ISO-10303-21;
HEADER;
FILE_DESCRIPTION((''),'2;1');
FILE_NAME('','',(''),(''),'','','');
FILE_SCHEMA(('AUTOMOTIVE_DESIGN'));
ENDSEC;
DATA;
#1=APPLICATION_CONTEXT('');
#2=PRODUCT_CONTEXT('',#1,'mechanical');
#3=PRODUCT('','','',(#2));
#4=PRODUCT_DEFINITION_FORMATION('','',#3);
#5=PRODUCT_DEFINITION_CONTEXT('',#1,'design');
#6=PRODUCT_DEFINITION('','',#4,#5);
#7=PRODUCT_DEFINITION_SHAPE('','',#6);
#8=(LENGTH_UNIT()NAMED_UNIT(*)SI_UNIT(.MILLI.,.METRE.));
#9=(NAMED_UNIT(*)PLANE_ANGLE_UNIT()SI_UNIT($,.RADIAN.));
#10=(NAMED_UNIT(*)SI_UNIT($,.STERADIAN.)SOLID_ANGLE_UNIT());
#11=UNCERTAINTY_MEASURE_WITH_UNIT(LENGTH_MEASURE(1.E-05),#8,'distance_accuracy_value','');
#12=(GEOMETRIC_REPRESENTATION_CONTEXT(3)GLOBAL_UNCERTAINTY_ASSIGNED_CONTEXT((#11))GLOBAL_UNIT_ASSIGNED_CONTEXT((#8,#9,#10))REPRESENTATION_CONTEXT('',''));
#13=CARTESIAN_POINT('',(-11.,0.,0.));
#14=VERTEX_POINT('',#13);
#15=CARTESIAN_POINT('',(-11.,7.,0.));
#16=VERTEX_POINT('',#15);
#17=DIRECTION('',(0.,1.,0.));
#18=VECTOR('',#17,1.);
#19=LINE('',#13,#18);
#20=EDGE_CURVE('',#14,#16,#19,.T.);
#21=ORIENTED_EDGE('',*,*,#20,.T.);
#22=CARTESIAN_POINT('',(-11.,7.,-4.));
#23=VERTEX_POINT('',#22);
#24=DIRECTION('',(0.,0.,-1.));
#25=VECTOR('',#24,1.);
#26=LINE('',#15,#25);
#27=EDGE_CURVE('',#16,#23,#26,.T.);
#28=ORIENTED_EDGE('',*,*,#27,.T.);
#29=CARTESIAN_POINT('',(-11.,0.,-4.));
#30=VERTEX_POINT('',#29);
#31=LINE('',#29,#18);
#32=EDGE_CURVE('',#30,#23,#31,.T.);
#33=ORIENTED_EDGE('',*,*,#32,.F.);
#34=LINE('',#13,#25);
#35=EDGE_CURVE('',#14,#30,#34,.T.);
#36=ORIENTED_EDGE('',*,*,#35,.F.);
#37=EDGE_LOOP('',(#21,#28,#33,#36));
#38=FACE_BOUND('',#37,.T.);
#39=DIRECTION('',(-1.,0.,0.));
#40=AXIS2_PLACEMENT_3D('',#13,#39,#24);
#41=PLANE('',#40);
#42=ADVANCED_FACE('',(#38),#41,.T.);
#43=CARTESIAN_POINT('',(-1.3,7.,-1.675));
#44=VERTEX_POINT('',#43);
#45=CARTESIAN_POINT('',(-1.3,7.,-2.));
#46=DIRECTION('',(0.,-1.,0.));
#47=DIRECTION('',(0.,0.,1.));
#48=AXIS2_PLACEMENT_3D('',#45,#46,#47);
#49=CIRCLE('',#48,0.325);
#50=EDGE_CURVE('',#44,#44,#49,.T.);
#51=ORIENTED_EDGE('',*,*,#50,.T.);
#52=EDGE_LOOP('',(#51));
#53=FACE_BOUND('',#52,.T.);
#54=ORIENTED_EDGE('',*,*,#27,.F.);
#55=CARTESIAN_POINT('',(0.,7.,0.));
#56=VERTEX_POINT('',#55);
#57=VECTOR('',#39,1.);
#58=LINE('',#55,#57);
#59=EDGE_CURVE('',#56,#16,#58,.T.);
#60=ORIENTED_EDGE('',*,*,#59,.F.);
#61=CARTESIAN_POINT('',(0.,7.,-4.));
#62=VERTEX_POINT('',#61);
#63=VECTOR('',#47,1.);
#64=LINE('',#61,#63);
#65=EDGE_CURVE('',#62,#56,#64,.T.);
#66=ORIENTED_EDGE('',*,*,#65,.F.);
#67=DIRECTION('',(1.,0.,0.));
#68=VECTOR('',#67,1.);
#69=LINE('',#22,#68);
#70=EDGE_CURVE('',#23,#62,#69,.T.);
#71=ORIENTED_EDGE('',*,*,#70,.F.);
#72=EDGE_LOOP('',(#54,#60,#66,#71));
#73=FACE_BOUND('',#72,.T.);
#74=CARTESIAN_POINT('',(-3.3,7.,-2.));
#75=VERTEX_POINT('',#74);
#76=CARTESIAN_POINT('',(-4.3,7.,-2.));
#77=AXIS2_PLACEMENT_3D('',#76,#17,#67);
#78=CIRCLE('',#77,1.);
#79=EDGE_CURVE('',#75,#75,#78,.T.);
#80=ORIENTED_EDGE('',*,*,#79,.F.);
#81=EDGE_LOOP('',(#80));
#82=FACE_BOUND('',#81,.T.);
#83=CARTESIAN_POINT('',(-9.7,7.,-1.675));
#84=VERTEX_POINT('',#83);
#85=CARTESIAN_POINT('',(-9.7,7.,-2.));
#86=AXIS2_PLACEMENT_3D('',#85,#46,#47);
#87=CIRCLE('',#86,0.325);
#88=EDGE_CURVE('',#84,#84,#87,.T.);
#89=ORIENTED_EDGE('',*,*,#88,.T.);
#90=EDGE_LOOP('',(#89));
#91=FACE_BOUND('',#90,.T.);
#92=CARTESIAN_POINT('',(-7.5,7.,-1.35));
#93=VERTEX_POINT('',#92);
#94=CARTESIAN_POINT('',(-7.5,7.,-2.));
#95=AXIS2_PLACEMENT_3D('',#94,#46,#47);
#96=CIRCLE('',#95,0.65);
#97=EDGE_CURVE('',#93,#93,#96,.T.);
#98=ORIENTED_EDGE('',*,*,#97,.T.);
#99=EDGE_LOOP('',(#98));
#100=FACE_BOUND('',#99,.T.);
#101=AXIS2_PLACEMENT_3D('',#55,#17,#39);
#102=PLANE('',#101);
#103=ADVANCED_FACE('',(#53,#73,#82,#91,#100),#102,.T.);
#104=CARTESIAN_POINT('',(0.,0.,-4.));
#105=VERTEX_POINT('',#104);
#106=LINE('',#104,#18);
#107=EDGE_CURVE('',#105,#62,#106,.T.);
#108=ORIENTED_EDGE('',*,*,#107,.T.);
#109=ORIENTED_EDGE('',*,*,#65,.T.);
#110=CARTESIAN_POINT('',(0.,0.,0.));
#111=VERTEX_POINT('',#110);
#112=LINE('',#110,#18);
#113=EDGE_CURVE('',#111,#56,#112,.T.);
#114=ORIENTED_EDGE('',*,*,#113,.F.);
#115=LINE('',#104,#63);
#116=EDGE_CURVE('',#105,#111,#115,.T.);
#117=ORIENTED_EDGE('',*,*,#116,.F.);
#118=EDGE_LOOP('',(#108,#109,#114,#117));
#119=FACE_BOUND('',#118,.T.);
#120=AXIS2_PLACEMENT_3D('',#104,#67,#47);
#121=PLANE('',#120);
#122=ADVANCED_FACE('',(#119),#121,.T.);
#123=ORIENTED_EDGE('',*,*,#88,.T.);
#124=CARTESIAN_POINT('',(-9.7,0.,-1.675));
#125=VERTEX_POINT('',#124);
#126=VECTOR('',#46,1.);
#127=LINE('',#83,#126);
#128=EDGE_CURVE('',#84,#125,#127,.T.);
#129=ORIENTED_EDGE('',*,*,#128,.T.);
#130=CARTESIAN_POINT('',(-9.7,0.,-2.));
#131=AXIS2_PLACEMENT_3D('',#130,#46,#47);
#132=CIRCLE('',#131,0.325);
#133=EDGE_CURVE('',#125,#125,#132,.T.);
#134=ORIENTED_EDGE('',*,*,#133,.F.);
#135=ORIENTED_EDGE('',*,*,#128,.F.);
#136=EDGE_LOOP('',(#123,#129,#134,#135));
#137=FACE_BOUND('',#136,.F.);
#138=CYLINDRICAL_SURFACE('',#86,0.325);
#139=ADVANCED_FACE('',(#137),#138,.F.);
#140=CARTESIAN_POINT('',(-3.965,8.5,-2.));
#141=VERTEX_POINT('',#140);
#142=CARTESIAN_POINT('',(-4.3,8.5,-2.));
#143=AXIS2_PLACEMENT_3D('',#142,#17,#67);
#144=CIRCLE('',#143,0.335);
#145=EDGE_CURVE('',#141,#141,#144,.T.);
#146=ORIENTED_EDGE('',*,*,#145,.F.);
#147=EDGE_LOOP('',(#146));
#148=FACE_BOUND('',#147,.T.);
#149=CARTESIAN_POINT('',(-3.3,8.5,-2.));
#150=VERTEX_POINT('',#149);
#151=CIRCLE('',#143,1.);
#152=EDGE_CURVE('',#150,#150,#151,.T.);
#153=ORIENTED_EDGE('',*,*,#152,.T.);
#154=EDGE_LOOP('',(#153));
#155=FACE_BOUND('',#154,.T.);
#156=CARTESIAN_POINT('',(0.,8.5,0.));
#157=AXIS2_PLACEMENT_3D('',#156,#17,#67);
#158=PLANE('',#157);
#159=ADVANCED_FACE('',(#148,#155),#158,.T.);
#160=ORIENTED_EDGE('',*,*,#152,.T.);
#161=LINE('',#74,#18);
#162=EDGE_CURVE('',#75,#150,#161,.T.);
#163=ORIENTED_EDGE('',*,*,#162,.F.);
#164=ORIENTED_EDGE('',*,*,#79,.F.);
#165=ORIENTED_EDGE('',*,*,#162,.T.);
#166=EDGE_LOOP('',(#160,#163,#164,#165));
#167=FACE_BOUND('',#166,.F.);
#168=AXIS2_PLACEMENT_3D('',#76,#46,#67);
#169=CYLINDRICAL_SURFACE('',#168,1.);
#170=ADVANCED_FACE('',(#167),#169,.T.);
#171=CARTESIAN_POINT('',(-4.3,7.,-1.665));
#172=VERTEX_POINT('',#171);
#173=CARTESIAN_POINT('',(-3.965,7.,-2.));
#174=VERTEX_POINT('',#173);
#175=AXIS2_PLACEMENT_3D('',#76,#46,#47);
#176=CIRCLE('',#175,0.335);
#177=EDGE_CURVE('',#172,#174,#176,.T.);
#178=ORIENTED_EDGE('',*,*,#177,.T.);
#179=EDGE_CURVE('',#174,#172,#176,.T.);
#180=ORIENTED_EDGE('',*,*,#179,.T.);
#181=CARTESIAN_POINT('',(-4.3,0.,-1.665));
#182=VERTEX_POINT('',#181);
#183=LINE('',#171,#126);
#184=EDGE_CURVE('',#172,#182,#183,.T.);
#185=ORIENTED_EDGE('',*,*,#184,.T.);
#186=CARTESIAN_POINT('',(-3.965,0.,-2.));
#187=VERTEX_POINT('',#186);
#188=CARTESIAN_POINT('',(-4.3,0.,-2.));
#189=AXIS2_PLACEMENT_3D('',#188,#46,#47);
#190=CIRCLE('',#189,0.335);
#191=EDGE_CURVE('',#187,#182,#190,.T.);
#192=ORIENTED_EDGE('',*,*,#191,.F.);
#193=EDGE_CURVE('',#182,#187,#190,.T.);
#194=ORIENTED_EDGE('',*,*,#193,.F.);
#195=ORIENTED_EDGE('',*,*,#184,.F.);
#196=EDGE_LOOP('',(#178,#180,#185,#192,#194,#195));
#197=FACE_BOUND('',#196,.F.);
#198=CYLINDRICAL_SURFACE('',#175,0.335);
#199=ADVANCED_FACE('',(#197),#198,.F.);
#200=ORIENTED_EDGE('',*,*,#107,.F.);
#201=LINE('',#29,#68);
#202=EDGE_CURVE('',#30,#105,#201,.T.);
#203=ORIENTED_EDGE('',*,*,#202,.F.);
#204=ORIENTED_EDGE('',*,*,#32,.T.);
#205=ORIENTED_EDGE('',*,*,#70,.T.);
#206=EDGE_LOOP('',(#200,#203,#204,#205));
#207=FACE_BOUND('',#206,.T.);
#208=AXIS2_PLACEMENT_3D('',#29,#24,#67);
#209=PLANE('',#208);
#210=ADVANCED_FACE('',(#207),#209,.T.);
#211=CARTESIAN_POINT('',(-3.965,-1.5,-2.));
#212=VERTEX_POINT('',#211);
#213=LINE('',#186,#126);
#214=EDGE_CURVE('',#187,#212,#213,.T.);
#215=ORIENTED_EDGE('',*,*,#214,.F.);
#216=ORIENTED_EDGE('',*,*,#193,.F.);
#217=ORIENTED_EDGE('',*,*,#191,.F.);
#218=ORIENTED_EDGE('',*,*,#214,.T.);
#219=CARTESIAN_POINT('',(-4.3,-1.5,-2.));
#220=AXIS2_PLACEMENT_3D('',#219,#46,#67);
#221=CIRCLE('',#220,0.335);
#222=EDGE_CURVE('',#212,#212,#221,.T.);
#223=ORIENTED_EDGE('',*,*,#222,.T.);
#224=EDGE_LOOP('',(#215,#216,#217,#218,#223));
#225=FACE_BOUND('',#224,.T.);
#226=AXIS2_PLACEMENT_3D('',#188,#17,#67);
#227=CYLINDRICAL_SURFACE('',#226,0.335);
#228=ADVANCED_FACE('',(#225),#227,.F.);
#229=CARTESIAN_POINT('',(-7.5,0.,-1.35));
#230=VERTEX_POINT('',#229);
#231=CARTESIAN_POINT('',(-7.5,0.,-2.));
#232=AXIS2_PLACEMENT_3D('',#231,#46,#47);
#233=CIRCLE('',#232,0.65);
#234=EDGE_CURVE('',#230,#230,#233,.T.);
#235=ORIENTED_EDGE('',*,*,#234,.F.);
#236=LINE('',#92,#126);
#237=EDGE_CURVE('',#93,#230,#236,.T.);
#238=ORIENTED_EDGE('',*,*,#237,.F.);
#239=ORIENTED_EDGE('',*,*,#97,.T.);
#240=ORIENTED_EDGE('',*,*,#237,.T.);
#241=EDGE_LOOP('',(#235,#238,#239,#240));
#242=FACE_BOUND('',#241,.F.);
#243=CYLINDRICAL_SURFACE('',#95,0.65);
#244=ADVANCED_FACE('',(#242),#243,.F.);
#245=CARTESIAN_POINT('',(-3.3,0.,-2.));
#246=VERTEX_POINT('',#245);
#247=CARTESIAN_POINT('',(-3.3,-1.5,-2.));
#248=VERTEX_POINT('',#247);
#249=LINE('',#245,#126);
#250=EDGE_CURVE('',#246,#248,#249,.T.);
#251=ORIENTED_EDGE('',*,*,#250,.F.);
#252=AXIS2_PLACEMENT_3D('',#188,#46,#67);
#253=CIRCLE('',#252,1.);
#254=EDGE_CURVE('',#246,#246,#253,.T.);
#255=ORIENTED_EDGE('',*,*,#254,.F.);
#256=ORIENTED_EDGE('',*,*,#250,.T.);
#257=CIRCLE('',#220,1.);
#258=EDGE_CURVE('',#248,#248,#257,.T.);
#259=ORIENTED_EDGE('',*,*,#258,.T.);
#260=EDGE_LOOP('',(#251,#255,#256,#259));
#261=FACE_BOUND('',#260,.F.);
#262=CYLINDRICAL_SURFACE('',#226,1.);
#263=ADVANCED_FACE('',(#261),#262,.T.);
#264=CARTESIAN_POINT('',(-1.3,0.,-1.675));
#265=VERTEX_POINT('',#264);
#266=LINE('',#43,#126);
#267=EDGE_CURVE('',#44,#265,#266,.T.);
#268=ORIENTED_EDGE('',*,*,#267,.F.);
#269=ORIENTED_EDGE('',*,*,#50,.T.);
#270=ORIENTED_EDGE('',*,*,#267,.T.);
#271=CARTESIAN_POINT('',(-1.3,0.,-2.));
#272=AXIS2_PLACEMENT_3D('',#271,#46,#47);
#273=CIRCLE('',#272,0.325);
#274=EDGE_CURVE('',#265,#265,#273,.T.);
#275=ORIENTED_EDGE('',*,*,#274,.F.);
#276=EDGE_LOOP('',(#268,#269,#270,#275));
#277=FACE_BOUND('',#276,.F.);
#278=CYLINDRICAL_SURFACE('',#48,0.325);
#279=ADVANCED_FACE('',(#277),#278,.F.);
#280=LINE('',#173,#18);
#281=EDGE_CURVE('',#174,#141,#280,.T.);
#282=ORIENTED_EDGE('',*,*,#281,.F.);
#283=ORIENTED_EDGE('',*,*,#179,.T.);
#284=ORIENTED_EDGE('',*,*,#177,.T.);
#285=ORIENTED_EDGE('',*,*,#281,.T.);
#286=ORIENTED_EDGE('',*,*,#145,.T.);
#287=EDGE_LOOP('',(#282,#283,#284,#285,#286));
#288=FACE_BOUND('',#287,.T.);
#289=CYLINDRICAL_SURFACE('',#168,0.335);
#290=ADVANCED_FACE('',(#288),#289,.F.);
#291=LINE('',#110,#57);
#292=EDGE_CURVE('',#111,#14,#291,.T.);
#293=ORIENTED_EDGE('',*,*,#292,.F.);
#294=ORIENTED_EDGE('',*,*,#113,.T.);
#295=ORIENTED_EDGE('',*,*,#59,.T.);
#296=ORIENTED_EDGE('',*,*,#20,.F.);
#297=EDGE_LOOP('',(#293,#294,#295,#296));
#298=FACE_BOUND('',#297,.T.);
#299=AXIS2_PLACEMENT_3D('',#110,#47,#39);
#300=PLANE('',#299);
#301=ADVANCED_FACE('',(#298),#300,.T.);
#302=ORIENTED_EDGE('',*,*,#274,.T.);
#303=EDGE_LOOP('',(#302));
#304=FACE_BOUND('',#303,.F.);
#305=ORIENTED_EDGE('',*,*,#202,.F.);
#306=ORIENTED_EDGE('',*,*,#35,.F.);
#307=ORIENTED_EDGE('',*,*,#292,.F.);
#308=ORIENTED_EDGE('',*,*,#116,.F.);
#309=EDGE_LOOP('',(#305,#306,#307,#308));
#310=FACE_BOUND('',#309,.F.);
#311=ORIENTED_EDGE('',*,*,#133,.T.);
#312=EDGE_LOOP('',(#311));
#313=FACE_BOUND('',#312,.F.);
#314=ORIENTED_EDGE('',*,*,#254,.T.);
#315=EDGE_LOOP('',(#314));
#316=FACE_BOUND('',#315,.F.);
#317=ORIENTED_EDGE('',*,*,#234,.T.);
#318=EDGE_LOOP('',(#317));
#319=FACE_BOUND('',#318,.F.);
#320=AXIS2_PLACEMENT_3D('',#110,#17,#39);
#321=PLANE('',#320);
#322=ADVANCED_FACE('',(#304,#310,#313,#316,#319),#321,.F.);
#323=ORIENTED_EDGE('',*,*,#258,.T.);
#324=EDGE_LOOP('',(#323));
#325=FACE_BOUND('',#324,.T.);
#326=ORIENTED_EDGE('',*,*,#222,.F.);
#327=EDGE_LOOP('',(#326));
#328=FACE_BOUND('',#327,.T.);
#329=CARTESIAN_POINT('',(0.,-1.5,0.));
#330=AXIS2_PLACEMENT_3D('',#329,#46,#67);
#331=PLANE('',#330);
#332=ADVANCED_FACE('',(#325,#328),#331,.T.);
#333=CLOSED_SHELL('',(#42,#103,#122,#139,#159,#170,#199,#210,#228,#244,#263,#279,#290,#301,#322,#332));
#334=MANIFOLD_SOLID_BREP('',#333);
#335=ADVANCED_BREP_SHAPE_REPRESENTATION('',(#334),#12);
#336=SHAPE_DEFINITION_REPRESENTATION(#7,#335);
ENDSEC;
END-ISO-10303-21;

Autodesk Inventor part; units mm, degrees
ref_plane "YZ Plane" through (0, 0, 0) normal (1, 0, 0) x (0, 1, 0)
ref_plane "XZ Plane" through (0, 0, 0) normal (0, 1, 0) x (-1, 0, 0)
ref_plane "XY Plane" through (0, 0, 0) normal (0, 0, 1) x (1, 0, 0)
sketch "스케치1" plane through (0, 0, 0) normal (0, 1, 0) x (-1, 0, 0)
  line L0 (0, 0) -> (11, 0)
  line L1 (11, 0) -> (11, -4)
  line L2 (11, -4) -> (0, -4)
  line L3 (0, -4) -> (0, 0)
  dimension "d0" = 11
  dimension "d1" = 4
extrude "돌출1" add sketch "스케치1" along normal blind 7
sketch "스케치2" plane through (0, 7, 0) normal (0, 1, 0) x (1, 0, 0)
  line L0 (0, 0) -> (0, 4) construction
  line L1 (0, 2) -> (-11, 2) construction
  line L2 (-11, 4) -> (-11, 0) construction
  point P0 (-1.3, 2)
  point P1 (-4.3, 2)
  point P2 (-7.5, 2)
  point P3 (-9.7, 2)
  point P4 (-4.3, 2)
  dimension "d59" = 1.3
  dimension "d60" = 2.2
  dimension "d61" = 3.2
  dimension "d62" = 1.3
  dimension "d69" = 0
hole "구멍1" at (-9.7, 7, -2) at (-1.3, 7, -2) direction (0, -1, 0) diameter 0.65 end through all
hole "구멍2" at (-7.5, 7, -2) direction (0, -1, 0) diameter 1.3 end through all
hole "구멍3" at (-4.3, 7, -2) direction (0, -1, 0) diameter 0.67 end through all
sketch "스케치3" plane through (0, 7, 0) normal (0, 1, 0) x (1, 0, 0)
  circle A0 centre (-4.3, 2) radius 1
  circle A1 centre (-4.3, 2) radius 0.335 projected
  point P0 (0, 0)
  point P1 (-4.3, 2)
  dimension "d50" = 2
extrude "돌출2" add sketch "스케치3" along normal blind 1.5
sketch "스케치4" plane through (0, 0, 0) normal (0, -1, 0) x (1, 0, 0)
  circle A0 centre (-4.3, -2) radius 1
  circle A1 centre (-4.3, -2) radius 0.335 projected
  point P0 (0, 0)
  point P1 (-4.3, -2)
  dimension "d53" = 2
extrude "돌출3" add sketch "스케치4" along normal blind 1.5
equation "\"d8\" = G23_F"
equation "\"d15\" = Screw_F"
equation "\"d22\" = G23_M"
equation "\"G23_F\" = 0.65"
equation "\"G23_M\" = 0.67"
equation "\"Screw_F\" = 1.3"
equation "\"Screw_M\" = 1.6"
properties part number "_3D 인쇄"
